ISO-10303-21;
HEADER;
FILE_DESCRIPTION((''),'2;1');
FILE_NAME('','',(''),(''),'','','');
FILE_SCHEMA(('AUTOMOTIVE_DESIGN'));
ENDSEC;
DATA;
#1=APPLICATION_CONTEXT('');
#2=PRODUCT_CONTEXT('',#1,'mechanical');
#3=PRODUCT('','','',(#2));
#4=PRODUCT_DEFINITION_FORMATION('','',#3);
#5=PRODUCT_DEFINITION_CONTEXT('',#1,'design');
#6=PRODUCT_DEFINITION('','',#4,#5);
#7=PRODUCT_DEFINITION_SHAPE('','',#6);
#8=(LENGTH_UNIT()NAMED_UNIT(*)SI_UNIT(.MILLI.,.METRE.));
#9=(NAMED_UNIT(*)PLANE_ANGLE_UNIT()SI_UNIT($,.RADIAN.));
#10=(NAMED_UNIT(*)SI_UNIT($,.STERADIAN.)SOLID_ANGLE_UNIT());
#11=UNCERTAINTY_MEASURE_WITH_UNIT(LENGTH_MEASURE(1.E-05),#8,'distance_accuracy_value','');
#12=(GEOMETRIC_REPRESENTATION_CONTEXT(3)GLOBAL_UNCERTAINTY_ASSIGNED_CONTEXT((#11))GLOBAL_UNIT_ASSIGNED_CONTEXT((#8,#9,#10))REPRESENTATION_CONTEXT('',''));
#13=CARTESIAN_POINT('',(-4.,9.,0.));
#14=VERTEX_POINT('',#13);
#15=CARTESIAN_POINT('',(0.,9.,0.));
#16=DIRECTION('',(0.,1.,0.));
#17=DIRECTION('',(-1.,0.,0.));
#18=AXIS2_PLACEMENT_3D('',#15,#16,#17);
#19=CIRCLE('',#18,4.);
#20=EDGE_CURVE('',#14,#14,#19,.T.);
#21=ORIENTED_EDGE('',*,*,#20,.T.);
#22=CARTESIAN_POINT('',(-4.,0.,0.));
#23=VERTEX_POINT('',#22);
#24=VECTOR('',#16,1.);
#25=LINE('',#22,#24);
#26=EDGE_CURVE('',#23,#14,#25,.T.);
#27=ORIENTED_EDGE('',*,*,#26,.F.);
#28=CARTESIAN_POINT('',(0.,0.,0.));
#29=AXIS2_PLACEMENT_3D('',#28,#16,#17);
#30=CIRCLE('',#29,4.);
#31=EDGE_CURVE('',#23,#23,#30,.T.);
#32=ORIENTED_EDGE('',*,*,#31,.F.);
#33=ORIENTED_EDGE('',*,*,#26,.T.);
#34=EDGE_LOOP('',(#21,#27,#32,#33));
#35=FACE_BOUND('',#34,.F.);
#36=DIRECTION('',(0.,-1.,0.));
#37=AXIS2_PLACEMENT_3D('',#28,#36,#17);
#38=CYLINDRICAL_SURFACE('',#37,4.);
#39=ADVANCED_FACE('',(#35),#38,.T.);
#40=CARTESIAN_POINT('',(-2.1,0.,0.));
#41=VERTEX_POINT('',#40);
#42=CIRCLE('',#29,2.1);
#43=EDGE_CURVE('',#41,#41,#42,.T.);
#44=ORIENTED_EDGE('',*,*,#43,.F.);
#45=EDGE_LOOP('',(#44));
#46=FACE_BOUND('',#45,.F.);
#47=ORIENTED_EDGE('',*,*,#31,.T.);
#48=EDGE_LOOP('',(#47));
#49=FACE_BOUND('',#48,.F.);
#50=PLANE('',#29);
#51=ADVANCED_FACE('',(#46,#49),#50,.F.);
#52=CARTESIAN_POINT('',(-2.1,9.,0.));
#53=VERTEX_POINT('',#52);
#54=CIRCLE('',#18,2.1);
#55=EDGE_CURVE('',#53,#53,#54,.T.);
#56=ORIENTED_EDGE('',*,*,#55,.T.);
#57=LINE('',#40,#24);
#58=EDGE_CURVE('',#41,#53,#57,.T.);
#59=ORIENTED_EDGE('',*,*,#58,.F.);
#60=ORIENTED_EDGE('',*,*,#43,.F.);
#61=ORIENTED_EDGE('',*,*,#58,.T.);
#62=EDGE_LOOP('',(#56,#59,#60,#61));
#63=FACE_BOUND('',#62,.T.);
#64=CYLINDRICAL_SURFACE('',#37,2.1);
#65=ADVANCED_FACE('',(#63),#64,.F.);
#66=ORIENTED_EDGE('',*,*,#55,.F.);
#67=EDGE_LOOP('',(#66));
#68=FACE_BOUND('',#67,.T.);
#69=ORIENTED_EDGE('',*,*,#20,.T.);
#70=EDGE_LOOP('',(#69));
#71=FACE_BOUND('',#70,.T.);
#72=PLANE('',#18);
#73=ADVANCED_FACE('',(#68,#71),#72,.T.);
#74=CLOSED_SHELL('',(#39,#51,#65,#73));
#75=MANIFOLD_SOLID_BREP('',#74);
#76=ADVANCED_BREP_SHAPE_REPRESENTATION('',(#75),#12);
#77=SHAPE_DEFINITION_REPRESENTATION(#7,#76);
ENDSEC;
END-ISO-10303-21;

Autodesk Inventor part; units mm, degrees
ref_plane "YZ Plane" through (0, 0, 0) normal (1, 0, 0) x (0, 1, 0)
ref_plane "XZ Plane" through (0, 0, 0) normal (0, 1, 0) x (-1, 0, 0)
ref_plane "XY Plane" through (0, 0, 0) normal (0, 0, 1) x (1, 0, 0)
sketch "Sketch1" plane through (0, 0, 0) normal (0, 1, 0) x (-1, 0, 0)
  circle A0 centre (0, 0) radius 2.1
  circle A1 centre (0, 0) radius 4
  dimension "d0" = 4.2
  dimension "d1" = 8
extrude "Extrusion1" add sketch "Sketch1" along normal blind 9
properties part number "EncoderSpacer"
